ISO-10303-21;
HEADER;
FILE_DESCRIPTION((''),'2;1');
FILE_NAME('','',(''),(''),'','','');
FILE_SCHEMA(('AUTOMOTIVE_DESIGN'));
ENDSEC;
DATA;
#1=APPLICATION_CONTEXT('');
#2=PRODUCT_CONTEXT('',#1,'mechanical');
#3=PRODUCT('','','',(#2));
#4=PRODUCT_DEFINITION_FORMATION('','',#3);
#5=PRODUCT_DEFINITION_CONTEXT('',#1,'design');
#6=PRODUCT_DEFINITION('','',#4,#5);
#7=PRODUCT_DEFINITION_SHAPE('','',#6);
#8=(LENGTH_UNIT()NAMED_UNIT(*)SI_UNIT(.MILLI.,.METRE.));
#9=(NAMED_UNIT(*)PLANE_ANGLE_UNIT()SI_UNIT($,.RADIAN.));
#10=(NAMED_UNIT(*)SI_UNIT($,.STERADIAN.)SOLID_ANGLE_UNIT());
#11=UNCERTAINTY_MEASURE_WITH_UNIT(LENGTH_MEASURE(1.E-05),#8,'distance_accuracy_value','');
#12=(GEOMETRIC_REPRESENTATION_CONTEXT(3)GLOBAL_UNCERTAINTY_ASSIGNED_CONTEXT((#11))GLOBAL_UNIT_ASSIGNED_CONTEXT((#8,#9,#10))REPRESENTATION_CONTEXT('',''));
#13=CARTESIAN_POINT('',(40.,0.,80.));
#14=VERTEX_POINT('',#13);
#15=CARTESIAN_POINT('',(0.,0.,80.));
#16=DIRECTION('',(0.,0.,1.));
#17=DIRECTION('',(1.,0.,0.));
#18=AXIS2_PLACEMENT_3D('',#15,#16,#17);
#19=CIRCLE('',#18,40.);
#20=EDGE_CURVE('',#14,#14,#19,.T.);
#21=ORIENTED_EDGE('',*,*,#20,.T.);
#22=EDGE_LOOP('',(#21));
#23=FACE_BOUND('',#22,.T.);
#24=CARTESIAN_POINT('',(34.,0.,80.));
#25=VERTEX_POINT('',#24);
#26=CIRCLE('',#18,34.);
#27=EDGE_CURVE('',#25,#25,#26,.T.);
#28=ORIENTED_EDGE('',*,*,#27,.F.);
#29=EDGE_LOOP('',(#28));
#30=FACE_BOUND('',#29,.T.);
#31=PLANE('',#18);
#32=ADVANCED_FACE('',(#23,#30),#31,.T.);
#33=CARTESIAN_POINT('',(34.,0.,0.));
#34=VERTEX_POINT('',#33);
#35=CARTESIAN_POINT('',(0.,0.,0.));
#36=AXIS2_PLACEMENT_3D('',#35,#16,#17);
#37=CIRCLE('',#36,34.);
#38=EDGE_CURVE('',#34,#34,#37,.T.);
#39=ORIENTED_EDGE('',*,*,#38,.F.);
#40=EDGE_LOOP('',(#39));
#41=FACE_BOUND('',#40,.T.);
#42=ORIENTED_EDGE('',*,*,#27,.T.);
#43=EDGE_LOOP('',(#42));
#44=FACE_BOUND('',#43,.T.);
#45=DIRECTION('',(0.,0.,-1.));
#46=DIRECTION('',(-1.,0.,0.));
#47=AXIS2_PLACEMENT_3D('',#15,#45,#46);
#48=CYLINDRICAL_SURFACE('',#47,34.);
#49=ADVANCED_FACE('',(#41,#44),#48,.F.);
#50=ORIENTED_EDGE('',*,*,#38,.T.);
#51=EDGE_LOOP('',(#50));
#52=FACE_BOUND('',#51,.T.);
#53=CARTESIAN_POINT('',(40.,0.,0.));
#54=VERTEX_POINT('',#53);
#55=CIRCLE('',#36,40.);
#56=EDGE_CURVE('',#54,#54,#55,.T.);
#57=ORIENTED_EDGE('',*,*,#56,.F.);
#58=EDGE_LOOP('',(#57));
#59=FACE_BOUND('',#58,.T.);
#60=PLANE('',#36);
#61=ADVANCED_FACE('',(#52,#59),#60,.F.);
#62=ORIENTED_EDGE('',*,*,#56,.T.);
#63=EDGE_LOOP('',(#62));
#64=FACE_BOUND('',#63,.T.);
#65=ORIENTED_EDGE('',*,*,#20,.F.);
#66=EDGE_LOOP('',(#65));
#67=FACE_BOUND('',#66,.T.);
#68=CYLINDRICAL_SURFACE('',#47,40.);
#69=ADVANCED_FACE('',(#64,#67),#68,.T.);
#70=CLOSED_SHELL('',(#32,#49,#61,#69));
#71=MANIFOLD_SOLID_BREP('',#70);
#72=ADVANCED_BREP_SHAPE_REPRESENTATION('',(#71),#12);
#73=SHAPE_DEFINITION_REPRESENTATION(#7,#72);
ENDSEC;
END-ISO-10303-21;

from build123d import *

# Parameters (mm, degrees)
ESQUISSE1_R        = 40
ESQUISSE1_R_2      = 34
EXTRU_MINCE1_DEPTH = 80


with BuildPart() as part:
    # Esquisse1 → Extru.-Mince1 (new body)
    with BuildSketch(Plane.XY):
        Circle(ESQUISSE1_R)
        Circle(ESQUISSE1_R_2, mode=Mode.SUBTRACT)
    extrude(amount=EXTRU_MINCE1_DEPTH)


solid = part.part
